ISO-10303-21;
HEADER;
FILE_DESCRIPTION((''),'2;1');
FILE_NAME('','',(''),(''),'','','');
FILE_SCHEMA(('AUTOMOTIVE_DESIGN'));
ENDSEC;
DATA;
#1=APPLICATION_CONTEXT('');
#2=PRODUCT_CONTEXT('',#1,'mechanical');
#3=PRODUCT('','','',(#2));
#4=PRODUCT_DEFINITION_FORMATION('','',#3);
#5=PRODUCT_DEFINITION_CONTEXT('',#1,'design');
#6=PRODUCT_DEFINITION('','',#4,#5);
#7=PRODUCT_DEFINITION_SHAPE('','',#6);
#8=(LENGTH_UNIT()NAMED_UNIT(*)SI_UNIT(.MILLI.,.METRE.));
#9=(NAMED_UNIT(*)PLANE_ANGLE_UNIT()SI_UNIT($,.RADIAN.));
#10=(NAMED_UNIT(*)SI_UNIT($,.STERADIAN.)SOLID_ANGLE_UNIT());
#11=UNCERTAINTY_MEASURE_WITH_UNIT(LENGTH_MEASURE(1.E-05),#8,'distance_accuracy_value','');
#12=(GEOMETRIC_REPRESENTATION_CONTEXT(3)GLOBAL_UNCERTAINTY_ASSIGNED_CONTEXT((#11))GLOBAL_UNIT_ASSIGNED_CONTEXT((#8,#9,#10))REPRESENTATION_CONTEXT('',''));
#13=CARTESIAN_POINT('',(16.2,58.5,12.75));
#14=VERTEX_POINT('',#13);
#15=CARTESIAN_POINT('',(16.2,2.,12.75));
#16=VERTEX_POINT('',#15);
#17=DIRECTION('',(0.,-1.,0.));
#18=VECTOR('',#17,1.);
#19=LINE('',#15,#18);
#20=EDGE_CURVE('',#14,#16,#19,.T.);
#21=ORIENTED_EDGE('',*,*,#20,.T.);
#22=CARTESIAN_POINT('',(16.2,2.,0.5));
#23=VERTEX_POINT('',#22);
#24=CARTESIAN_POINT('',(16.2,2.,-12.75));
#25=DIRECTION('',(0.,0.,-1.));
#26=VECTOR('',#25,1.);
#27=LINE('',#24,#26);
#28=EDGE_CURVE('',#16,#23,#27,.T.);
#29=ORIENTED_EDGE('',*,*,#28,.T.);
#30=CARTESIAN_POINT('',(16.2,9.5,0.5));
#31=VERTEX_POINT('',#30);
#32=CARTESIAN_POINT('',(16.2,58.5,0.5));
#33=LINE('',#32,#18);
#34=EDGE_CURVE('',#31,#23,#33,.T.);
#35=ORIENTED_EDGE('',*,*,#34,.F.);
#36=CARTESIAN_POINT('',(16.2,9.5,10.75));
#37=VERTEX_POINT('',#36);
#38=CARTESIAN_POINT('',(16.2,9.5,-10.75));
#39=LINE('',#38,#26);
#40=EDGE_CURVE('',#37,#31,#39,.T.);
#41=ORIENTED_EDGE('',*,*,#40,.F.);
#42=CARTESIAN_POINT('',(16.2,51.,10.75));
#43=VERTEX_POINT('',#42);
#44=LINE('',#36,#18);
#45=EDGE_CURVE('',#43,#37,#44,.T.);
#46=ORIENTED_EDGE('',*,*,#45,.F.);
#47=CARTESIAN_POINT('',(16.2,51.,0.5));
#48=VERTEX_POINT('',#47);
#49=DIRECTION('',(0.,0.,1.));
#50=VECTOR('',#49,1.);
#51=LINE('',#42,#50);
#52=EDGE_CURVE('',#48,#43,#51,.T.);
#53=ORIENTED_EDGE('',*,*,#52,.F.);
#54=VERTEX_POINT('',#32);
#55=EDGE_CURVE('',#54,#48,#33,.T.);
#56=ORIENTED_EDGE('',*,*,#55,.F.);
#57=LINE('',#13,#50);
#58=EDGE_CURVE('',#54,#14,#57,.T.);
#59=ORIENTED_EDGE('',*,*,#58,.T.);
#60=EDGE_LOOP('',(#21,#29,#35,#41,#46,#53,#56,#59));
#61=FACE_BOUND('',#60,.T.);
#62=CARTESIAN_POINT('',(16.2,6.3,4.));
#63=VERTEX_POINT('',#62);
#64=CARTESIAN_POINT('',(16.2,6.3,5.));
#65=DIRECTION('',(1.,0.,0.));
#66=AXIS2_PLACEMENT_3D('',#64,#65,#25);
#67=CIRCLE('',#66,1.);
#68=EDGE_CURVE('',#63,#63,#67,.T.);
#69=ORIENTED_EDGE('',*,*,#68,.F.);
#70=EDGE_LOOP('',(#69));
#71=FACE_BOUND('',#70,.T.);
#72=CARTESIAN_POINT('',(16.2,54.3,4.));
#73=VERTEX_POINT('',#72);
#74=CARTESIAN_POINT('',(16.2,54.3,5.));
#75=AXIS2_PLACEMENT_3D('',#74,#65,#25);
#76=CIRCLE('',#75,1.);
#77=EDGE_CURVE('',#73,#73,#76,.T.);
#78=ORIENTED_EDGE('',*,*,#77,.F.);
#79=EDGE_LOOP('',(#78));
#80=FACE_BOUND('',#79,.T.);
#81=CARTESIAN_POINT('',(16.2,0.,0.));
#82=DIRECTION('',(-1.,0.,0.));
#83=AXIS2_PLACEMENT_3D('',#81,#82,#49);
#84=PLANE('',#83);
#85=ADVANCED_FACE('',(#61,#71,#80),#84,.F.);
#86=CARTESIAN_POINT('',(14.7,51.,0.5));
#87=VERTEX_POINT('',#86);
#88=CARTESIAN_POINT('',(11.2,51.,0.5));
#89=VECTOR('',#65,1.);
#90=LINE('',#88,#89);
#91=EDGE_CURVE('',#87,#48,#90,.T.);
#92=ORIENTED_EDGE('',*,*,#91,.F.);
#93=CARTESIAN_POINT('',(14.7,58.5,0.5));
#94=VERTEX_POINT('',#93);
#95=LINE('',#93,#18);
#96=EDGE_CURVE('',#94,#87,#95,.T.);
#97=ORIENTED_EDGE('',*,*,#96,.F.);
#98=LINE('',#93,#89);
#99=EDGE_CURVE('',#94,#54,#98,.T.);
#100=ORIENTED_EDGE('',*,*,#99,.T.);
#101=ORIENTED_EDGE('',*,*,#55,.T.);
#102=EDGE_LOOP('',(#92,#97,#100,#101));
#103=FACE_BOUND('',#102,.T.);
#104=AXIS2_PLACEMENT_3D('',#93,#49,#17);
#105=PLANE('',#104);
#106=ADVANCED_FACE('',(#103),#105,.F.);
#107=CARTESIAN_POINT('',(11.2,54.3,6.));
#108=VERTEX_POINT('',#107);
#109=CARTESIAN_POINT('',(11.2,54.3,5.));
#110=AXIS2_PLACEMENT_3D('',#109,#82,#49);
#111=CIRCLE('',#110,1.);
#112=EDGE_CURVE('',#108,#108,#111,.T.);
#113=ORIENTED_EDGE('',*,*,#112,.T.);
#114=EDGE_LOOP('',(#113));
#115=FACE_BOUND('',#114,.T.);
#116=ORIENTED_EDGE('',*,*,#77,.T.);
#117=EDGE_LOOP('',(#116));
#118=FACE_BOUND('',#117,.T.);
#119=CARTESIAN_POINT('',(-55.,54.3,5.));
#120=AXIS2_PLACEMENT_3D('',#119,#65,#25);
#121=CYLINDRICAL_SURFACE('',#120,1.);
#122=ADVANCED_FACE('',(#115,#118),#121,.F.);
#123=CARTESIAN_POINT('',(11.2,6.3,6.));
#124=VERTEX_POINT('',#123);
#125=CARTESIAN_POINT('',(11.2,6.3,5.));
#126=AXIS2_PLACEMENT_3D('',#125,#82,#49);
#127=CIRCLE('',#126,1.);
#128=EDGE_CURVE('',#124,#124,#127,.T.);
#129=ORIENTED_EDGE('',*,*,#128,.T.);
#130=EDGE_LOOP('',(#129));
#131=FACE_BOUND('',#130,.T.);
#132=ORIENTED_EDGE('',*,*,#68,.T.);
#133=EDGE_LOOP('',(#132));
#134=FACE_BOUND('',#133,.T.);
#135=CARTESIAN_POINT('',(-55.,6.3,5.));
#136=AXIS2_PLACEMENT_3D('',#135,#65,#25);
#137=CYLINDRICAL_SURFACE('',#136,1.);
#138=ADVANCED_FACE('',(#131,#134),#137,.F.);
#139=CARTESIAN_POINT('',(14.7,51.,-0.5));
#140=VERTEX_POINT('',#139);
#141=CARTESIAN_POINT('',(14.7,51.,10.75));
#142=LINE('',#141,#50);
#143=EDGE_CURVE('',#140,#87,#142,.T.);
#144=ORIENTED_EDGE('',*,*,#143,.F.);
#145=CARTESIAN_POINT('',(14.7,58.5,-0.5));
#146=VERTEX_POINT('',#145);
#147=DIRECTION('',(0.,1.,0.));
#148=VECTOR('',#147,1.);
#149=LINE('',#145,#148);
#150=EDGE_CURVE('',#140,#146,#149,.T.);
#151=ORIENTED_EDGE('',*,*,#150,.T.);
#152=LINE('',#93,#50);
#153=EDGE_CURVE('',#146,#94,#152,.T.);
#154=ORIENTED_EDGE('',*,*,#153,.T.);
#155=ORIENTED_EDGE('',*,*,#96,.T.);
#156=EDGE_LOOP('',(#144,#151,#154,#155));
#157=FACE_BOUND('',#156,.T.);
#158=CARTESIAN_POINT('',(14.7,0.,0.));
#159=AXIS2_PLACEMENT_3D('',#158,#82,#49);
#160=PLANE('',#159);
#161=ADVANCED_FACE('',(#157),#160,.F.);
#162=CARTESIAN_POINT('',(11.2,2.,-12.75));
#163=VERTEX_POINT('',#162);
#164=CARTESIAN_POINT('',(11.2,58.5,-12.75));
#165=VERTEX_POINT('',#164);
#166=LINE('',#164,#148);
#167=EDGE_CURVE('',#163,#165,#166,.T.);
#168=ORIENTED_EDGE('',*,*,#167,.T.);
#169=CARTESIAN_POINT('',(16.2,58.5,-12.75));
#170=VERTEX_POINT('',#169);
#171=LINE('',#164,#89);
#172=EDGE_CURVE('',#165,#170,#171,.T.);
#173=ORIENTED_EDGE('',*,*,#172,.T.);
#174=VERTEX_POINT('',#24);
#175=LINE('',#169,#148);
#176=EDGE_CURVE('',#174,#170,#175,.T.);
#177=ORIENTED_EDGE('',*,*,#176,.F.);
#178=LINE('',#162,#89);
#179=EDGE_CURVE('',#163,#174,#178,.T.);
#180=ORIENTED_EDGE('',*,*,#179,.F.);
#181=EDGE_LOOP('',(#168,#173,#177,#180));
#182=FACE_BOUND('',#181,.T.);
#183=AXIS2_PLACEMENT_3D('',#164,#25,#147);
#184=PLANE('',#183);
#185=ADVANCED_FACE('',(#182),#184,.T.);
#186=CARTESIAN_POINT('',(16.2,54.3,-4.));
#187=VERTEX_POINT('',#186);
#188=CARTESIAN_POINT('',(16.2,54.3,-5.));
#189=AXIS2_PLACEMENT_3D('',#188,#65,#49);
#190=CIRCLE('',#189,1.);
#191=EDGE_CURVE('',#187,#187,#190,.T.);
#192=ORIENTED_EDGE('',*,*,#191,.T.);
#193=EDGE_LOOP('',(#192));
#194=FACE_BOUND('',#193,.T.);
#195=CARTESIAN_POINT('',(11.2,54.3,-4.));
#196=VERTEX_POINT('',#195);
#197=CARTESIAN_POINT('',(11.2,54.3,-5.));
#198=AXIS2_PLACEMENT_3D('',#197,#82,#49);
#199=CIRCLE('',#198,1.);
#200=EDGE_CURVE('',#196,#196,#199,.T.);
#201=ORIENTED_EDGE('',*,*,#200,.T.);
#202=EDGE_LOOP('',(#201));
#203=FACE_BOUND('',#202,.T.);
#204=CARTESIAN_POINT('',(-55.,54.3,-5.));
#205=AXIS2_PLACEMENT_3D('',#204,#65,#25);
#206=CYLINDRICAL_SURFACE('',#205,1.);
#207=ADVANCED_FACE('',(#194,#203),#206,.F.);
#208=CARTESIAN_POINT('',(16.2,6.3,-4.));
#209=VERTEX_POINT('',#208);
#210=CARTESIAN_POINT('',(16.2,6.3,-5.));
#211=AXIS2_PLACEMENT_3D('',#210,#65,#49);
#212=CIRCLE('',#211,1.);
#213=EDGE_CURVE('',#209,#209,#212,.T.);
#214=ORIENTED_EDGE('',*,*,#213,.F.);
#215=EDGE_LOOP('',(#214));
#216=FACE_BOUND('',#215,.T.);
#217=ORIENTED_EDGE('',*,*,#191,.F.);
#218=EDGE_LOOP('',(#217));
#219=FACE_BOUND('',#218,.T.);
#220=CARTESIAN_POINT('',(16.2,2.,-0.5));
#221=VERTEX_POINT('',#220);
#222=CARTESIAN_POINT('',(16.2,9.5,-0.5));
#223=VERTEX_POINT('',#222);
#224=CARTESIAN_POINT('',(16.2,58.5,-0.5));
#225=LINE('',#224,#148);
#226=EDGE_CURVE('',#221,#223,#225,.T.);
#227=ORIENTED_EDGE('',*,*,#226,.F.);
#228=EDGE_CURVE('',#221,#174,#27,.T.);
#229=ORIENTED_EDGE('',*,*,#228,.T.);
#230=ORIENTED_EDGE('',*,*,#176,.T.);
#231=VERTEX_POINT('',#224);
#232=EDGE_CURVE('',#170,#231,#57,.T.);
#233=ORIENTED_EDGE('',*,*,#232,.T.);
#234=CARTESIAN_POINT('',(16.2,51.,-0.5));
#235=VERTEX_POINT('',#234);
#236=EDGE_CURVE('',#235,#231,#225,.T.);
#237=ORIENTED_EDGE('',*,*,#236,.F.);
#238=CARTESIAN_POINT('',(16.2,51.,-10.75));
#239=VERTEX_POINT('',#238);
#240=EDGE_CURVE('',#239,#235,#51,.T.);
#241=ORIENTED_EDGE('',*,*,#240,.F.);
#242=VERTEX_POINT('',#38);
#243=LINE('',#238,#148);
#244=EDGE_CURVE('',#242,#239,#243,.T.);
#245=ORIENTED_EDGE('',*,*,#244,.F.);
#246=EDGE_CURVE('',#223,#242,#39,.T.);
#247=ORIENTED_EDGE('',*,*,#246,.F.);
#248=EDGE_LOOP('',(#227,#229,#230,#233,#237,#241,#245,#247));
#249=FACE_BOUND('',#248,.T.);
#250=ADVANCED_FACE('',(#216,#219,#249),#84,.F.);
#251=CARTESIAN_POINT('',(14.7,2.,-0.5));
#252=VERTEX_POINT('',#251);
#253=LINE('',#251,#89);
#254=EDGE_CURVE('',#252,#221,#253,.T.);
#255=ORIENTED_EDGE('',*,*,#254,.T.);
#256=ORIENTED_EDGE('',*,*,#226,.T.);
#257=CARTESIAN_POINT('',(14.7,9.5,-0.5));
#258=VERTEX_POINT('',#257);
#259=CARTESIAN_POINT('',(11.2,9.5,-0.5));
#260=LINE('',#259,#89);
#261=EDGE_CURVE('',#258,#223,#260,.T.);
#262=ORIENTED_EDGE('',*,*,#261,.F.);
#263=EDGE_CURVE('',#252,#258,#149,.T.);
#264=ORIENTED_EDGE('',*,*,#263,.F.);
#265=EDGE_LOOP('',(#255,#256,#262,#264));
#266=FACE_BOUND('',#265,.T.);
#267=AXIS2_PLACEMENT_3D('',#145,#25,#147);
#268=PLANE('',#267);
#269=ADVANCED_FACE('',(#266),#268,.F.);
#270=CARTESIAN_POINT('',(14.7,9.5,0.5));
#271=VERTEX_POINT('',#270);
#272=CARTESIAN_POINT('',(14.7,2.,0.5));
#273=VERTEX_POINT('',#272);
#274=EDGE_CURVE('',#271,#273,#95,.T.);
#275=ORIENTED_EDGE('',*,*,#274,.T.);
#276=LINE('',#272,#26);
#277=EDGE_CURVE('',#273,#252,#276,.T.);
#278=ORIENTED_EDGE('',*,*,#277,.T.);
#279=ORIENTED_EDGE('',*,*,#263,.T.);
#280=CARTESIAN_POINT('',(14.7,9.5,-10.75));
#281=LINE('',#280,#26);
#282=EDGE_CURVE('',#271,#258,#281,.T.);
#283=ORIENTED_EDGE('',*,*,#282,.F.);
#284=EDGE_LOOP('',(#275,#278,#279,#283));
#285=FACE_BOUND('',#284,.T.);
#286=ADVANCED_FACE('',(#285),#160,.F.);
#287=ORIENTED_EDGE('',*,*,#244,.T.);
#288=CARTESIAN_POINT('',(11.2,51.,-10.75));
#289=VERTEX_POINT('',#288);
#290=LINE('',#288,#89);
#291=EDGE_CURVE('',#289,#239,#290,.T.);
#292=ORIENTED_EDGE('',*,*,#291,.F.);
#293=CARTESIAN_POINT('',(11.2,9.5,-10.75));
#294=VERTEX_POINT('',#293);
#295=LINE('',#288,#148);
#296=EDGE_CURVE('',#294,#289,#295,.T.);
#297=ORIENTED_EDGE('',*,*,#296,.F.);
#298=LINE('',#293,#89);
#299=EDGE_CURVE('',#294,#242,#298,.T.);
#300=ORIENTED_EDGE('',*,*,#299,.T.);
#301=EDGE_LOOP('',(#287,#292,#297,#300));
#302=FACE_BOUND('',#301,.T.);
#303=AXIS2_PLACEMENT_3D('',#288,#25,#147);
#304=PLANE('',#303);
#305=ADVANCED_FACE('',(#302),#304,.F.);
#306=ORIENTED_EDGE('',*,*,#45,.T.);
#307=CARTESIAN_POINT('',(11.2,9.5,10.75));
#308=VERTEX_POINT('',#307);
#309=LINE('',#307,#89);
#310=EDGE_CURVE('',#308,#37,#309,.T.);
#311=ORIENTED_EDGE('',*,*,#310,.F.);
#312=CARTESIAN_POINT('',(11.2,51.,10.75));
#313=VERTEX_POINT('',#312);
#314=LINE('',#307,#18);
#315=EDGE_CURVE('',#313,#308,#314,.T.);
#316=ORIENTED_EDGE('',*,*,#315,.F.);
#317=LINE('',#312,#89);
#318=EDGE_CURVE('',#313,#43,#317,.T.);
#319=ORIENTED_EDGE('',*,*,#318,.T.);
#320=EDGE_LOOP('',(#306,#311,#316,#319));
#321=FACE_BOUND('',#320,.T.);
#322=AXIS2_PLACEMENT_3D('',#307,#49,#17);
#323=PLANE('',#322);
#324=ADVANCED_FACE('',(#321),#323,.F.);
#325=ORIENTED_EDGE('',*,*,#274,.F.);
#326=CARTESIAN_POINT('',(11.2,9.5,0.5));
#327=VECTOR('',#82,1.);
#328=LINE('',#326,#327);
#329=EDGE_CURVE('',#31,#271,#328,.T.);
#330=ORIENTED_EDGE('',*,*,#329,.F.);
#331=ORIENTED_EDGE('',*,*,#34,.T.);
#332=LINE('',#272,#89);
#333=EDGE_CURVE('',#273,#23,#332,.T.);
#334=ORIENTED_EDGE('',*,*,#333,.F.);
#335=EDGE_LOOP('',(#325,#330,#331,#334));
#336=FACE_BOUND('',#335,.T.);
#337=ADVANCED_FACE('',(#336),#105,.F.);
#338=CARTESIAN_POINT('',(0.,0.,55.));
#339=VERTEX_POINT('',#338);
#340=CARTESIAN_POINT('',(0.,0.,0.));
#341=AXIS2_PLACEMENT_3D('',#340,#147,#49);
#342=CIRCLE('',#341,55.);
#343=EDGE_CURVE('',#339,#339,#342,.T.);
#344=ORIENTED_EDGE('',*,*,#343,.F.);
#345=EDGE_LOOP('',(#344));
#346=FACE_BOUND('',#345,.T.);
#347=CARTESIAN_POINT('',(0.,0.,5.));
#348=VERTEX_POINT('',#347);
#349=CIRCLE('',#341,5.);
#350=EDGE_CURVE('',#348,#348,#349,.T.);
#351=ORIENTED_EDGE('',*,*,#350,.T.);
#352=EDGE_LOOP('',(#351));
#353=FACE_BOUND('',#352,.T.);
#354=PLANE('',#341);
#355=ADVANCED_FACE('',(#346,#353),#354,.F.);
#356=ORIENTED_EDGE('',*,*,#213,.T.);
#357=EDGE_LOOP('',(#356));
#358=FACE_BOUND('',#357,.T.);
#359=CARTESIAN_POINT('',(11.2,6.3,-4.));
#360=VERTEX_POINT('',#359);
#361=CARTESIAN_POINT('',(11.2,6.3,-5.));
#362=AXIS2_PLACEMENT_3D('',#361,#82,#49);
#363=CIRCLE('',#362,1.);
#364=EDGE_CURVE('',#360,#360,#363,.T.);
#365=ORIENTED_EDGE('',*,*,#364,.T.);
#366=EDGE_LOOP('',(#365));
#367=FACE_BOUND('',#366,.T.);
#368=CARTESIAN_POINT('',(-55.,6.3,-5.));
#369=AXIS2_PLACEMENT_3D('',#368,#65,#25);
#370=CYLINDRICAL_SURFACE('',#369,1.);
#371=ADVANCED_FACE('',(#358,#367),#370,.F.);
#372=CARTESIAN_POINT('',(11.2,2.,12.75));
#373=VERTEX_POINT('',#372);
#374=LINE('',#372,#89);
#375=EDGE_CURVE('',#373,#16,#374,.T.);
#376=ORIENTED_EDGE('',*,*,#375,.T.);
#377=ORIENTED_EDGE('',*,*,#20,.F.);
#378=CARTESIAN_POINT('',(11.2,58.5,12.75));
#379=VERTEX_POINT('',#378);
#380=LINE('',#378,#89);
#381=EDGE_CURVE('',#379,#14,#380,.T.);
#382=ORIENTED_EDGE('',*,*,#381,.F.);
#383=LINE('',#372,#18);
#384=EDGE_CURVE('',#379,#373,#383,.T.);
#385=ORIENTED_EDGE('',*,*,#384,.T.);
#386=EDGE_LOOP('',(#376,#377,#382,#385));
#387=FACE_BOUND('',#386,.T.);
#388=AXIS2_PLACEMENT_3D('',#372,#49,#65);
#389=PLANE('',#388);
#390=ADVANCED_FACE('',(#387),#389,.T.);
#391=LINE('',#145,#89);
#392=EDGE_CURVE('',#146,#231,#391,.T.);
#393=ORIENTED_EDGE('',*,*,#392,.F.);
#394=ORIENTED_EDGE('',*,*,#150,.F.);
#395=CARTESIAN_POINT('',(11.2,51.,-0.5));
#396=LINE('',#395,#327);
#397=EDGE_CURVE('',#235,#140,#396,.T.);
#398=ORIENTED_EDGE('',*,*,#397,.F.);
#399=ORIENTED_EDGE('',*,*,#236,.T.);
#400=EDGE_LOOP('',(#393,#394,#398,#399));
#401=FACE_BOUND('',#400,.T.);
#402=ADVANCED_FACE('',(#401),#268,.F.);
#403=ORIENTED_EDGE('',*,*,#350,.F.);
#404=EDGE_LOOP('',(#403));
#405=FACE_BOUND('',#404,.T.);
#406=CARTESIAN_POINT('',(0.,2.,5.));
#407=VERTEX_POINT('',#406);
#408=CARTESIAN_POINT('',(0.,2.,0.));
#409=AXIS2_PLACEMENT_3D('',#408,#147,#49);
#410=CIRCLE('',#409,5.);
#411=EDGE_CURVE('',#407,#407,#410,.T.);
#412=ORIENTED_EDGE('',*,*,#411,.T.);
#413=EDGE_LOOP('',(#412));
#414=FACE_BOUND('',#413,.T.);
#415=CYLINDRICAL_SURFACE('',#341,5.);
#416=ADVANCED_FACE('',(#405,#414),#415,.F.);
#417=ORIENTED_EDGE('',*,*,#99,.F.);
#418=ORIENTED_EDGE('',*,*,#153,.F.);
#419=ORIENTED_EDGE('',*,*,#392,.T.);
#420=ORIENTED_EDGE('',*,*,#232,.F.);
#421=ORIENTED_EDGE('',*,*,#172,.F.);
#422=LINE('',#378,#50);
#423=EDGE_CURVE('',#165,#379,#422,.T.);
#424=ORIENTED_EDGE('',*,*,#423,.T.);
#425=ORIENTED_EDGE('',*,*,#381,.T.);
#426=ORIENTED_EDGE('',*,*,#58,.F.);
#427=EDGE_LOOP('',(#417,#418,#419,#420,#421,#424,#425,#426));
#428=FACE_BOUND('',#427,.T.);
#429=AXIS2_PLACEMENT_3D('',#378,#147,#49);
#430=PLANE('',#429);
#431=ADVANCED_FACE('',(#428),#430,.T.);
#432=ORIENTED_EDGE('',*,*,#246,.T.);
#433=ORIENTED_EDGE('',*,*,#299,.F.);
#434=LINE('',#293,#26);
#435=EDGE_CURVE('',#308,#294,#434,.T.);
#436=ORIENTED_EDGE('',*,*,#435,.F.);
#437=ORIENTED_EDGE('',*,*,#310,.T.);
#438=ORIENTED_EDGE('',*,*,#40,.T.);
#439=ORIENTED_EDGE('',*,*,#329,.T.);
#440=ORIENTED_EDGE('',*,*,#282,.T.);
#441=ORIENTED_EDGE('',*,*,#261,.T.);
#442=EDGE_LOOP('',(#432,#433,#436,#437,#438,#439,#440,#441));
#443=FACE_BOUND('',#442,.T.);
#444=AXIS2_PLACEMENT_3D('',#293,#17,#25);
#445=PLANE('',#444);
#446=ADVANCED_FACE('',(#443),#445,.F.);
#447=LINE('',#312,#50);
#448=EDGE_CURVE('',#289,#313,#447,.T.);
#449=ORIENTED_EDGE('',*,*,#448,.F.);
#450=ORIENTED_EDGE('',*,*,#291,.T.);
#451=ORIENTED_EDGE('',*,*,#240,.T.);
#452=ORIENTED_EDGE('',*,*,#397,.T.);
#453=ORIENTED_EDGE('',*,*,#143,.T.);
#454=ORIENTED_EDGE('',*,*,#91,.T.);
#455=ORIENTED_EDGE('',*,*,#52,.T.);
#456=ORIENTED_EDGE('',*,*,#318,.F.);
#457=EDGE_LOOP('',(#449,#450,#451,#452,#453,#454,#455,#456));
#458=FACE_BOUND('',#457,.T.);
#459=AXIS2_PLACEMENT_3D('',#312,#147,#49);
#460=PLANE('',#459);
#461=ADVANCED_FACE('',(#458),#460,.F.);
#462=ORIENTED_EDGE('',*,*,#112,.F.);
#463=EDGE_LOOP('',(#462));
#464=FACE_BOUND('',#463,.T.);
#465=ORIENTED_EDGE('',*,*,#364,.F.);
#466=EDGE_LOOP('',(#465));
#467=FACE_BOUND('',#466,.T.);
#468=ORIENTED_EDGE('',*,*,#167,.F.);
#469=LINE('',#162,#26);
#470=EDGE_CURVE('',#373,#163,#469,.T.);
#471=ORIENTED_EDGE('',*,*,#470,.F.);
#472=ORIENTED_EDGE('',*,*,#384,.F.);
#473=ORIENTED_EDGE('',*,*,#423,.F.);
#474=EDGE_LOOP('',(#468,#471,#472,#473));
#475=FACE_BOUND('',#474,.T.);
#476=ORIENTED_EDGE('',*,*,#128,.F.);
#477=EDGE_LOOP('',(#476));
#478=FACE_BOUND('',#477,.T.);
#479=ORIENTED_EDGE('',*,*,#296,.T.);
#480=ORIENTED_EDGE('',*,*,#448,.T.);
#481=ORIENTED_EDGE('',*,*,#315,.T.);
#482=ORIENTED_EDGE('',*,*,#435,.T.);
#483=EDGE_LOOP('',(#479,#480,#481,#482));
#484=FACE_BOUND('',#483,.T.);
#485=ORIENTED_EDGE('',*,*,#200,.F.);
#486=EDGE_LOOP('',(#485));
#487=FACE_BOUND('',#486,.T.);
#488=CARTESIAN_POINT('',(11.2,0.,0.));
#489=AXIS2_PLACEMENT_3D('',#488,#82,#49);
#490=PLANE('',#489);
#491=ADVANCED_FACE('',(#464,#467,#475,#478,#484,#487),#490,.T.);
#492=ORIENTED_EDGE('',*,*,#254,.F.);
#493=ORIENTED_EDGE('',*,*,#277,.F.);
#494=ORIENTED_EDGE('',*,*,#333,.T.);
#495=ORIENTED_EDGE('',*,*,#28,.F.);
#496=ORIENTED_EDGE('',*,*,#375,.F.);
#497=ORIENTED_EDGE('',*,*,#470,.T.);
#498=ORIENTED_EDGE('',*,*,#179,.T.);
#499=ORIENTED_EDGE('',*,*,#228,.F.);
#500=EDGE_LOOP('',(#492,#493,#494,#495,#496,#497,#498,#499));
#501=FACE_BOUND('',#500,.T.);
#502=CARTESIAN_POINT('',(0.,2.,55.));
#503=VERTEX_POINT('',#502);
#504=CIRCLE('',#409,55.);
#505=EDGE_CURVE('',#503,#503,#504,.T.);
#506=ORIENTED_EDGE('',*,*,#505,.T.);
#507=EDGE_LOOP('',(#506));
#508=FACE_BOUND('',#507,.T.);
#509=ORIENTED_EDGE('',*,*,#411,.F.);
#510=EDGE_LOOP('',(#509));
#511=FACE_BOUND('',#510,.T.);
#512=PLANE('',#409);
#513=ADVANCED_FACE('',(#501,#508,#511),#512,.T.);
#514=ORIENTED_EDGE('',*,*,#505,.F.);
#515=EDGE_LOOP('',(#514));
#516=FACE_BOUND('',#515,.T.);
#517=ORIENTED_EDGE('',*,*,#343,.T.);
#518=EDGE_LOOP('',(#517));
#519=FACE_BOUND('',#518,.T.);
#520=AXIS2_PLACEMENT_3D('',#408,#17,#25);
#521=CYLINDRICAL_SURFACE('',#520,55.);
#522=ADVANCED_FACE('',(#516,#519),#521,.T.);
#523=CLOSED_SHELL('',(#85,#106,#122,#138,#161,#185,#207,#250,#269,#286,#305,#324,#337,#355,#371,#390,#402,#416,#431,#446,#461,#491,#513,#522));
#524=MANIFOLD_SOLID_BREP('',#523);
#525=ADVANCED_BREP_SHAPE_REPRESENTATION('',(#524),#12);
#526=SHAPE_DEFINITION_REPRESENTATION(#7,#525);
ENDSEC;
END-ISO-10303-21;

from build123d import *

# Parameters (mm, degrees)
SKETCH1_R           = 55
BOSS_EXTRUDE1_DEPTH = 2
SKETCH2_R           = 5
CUT_EXTRUDE1_DEPTH  = 78.807454656
SKETCH4_W           = 25.5
SKETCH4_H           = 56.5
SKETCH4_W_2         = 21.5
SKETCH4_H_2         = 41.5
BOSS_EXTRUDE2_DEPTH = 5
SKETCH5_R           = 1
CUT_EXTRUDE2_DEPTH  = 108.31584226
SKETCH6_W           = 1
SKETCH6_H           = 56.5
CUT_EXTRUDE3_DEPTH  = 1.5


with BuildPart() as part:
    # Sketch1 → Boss-Extrude1 (new body)
    with BuildSketch(Plane(origin=(0, 0, 0), x_dir=(1, 0, 0), z_dir=(0, 1, 0))):
        with Locations(Location((0, 0, 0), (0, 0, 270))):
            Circle(SKETCH1_R)
    extrude(amount=BOSS_EXTRUDE1_DEPTH)

    # Sketch2 → Cut-Extrude1 (cut, through all)
    with BuildSketch(Plane(origin=(0, 2, 0), x_dir=(1, 0, 0), z_dir=(0, 1, 0))):
        with Locations(Location((0, 0, 0), (0, 0, 270))):
            Circle(SKETCH2_R)
    extrude(amount=-CUT_EXTRUDE1_DEPTH, mode=Mode.SUBTRACT)

    # Sketch4 → Boss-Extrude2 (add)
    with BuildSketch(Plane(origin=(16.2, 0, 0), x_dir=(0, 0, -1), z_dir=(1, 0, 0))):
        with Locations((0, 30.25)):
            Rectangle(SKETCH4_W, SKETCH4_H)
        with Locations((0, 30.25)):
            Rectangle(SKETCH4_W_2, SKETCH4_H_2, mode=Mode.SUBTRACT)
    extrude(amount=-BOSS_EXTRUDE2_DEPTH)

    # Sketch5 → Cut-Extrude2 (cut, through all)
    with BuildSketch(Plane(origin=(16.2, 0, 0), x_dir=(0, 0, -1), z_dir=(1, 0, 0))):
        with Locations((-5, 54.3)):
            Circle(SKETCH5_R)
        with Locations((-5, 6.3)):
            Circle(SKETCH5_R)
        with Locations(Location((5, 6.3, 0), (0, 0, 180))):
            Circle(SKETCH5_R)
        with Locations(Location((5, 54.3, 0), (0, 0, 180))):
            Circle(SKETCH5_R)
    extrude(amount=-CUT_EXTRUDE2_DEPTH, mode=Mode.SUBTRACT)

    # Sketch6 → Cut-Extrude3 (cut)
    with BuildSketch(Plane(origin=(16.2, 0, 0), x_dir=(0, 0, -1), z_dir=(1, 0, 0))):
        with Locations((0, 30.25)):
            Rectangle(SKETCH6_W, SKETCH6_H)
    extrude(amount=-CUT_EXTRUDE3_DEPTH, mode=Mode.SUBTRACT)


solid = part.part
